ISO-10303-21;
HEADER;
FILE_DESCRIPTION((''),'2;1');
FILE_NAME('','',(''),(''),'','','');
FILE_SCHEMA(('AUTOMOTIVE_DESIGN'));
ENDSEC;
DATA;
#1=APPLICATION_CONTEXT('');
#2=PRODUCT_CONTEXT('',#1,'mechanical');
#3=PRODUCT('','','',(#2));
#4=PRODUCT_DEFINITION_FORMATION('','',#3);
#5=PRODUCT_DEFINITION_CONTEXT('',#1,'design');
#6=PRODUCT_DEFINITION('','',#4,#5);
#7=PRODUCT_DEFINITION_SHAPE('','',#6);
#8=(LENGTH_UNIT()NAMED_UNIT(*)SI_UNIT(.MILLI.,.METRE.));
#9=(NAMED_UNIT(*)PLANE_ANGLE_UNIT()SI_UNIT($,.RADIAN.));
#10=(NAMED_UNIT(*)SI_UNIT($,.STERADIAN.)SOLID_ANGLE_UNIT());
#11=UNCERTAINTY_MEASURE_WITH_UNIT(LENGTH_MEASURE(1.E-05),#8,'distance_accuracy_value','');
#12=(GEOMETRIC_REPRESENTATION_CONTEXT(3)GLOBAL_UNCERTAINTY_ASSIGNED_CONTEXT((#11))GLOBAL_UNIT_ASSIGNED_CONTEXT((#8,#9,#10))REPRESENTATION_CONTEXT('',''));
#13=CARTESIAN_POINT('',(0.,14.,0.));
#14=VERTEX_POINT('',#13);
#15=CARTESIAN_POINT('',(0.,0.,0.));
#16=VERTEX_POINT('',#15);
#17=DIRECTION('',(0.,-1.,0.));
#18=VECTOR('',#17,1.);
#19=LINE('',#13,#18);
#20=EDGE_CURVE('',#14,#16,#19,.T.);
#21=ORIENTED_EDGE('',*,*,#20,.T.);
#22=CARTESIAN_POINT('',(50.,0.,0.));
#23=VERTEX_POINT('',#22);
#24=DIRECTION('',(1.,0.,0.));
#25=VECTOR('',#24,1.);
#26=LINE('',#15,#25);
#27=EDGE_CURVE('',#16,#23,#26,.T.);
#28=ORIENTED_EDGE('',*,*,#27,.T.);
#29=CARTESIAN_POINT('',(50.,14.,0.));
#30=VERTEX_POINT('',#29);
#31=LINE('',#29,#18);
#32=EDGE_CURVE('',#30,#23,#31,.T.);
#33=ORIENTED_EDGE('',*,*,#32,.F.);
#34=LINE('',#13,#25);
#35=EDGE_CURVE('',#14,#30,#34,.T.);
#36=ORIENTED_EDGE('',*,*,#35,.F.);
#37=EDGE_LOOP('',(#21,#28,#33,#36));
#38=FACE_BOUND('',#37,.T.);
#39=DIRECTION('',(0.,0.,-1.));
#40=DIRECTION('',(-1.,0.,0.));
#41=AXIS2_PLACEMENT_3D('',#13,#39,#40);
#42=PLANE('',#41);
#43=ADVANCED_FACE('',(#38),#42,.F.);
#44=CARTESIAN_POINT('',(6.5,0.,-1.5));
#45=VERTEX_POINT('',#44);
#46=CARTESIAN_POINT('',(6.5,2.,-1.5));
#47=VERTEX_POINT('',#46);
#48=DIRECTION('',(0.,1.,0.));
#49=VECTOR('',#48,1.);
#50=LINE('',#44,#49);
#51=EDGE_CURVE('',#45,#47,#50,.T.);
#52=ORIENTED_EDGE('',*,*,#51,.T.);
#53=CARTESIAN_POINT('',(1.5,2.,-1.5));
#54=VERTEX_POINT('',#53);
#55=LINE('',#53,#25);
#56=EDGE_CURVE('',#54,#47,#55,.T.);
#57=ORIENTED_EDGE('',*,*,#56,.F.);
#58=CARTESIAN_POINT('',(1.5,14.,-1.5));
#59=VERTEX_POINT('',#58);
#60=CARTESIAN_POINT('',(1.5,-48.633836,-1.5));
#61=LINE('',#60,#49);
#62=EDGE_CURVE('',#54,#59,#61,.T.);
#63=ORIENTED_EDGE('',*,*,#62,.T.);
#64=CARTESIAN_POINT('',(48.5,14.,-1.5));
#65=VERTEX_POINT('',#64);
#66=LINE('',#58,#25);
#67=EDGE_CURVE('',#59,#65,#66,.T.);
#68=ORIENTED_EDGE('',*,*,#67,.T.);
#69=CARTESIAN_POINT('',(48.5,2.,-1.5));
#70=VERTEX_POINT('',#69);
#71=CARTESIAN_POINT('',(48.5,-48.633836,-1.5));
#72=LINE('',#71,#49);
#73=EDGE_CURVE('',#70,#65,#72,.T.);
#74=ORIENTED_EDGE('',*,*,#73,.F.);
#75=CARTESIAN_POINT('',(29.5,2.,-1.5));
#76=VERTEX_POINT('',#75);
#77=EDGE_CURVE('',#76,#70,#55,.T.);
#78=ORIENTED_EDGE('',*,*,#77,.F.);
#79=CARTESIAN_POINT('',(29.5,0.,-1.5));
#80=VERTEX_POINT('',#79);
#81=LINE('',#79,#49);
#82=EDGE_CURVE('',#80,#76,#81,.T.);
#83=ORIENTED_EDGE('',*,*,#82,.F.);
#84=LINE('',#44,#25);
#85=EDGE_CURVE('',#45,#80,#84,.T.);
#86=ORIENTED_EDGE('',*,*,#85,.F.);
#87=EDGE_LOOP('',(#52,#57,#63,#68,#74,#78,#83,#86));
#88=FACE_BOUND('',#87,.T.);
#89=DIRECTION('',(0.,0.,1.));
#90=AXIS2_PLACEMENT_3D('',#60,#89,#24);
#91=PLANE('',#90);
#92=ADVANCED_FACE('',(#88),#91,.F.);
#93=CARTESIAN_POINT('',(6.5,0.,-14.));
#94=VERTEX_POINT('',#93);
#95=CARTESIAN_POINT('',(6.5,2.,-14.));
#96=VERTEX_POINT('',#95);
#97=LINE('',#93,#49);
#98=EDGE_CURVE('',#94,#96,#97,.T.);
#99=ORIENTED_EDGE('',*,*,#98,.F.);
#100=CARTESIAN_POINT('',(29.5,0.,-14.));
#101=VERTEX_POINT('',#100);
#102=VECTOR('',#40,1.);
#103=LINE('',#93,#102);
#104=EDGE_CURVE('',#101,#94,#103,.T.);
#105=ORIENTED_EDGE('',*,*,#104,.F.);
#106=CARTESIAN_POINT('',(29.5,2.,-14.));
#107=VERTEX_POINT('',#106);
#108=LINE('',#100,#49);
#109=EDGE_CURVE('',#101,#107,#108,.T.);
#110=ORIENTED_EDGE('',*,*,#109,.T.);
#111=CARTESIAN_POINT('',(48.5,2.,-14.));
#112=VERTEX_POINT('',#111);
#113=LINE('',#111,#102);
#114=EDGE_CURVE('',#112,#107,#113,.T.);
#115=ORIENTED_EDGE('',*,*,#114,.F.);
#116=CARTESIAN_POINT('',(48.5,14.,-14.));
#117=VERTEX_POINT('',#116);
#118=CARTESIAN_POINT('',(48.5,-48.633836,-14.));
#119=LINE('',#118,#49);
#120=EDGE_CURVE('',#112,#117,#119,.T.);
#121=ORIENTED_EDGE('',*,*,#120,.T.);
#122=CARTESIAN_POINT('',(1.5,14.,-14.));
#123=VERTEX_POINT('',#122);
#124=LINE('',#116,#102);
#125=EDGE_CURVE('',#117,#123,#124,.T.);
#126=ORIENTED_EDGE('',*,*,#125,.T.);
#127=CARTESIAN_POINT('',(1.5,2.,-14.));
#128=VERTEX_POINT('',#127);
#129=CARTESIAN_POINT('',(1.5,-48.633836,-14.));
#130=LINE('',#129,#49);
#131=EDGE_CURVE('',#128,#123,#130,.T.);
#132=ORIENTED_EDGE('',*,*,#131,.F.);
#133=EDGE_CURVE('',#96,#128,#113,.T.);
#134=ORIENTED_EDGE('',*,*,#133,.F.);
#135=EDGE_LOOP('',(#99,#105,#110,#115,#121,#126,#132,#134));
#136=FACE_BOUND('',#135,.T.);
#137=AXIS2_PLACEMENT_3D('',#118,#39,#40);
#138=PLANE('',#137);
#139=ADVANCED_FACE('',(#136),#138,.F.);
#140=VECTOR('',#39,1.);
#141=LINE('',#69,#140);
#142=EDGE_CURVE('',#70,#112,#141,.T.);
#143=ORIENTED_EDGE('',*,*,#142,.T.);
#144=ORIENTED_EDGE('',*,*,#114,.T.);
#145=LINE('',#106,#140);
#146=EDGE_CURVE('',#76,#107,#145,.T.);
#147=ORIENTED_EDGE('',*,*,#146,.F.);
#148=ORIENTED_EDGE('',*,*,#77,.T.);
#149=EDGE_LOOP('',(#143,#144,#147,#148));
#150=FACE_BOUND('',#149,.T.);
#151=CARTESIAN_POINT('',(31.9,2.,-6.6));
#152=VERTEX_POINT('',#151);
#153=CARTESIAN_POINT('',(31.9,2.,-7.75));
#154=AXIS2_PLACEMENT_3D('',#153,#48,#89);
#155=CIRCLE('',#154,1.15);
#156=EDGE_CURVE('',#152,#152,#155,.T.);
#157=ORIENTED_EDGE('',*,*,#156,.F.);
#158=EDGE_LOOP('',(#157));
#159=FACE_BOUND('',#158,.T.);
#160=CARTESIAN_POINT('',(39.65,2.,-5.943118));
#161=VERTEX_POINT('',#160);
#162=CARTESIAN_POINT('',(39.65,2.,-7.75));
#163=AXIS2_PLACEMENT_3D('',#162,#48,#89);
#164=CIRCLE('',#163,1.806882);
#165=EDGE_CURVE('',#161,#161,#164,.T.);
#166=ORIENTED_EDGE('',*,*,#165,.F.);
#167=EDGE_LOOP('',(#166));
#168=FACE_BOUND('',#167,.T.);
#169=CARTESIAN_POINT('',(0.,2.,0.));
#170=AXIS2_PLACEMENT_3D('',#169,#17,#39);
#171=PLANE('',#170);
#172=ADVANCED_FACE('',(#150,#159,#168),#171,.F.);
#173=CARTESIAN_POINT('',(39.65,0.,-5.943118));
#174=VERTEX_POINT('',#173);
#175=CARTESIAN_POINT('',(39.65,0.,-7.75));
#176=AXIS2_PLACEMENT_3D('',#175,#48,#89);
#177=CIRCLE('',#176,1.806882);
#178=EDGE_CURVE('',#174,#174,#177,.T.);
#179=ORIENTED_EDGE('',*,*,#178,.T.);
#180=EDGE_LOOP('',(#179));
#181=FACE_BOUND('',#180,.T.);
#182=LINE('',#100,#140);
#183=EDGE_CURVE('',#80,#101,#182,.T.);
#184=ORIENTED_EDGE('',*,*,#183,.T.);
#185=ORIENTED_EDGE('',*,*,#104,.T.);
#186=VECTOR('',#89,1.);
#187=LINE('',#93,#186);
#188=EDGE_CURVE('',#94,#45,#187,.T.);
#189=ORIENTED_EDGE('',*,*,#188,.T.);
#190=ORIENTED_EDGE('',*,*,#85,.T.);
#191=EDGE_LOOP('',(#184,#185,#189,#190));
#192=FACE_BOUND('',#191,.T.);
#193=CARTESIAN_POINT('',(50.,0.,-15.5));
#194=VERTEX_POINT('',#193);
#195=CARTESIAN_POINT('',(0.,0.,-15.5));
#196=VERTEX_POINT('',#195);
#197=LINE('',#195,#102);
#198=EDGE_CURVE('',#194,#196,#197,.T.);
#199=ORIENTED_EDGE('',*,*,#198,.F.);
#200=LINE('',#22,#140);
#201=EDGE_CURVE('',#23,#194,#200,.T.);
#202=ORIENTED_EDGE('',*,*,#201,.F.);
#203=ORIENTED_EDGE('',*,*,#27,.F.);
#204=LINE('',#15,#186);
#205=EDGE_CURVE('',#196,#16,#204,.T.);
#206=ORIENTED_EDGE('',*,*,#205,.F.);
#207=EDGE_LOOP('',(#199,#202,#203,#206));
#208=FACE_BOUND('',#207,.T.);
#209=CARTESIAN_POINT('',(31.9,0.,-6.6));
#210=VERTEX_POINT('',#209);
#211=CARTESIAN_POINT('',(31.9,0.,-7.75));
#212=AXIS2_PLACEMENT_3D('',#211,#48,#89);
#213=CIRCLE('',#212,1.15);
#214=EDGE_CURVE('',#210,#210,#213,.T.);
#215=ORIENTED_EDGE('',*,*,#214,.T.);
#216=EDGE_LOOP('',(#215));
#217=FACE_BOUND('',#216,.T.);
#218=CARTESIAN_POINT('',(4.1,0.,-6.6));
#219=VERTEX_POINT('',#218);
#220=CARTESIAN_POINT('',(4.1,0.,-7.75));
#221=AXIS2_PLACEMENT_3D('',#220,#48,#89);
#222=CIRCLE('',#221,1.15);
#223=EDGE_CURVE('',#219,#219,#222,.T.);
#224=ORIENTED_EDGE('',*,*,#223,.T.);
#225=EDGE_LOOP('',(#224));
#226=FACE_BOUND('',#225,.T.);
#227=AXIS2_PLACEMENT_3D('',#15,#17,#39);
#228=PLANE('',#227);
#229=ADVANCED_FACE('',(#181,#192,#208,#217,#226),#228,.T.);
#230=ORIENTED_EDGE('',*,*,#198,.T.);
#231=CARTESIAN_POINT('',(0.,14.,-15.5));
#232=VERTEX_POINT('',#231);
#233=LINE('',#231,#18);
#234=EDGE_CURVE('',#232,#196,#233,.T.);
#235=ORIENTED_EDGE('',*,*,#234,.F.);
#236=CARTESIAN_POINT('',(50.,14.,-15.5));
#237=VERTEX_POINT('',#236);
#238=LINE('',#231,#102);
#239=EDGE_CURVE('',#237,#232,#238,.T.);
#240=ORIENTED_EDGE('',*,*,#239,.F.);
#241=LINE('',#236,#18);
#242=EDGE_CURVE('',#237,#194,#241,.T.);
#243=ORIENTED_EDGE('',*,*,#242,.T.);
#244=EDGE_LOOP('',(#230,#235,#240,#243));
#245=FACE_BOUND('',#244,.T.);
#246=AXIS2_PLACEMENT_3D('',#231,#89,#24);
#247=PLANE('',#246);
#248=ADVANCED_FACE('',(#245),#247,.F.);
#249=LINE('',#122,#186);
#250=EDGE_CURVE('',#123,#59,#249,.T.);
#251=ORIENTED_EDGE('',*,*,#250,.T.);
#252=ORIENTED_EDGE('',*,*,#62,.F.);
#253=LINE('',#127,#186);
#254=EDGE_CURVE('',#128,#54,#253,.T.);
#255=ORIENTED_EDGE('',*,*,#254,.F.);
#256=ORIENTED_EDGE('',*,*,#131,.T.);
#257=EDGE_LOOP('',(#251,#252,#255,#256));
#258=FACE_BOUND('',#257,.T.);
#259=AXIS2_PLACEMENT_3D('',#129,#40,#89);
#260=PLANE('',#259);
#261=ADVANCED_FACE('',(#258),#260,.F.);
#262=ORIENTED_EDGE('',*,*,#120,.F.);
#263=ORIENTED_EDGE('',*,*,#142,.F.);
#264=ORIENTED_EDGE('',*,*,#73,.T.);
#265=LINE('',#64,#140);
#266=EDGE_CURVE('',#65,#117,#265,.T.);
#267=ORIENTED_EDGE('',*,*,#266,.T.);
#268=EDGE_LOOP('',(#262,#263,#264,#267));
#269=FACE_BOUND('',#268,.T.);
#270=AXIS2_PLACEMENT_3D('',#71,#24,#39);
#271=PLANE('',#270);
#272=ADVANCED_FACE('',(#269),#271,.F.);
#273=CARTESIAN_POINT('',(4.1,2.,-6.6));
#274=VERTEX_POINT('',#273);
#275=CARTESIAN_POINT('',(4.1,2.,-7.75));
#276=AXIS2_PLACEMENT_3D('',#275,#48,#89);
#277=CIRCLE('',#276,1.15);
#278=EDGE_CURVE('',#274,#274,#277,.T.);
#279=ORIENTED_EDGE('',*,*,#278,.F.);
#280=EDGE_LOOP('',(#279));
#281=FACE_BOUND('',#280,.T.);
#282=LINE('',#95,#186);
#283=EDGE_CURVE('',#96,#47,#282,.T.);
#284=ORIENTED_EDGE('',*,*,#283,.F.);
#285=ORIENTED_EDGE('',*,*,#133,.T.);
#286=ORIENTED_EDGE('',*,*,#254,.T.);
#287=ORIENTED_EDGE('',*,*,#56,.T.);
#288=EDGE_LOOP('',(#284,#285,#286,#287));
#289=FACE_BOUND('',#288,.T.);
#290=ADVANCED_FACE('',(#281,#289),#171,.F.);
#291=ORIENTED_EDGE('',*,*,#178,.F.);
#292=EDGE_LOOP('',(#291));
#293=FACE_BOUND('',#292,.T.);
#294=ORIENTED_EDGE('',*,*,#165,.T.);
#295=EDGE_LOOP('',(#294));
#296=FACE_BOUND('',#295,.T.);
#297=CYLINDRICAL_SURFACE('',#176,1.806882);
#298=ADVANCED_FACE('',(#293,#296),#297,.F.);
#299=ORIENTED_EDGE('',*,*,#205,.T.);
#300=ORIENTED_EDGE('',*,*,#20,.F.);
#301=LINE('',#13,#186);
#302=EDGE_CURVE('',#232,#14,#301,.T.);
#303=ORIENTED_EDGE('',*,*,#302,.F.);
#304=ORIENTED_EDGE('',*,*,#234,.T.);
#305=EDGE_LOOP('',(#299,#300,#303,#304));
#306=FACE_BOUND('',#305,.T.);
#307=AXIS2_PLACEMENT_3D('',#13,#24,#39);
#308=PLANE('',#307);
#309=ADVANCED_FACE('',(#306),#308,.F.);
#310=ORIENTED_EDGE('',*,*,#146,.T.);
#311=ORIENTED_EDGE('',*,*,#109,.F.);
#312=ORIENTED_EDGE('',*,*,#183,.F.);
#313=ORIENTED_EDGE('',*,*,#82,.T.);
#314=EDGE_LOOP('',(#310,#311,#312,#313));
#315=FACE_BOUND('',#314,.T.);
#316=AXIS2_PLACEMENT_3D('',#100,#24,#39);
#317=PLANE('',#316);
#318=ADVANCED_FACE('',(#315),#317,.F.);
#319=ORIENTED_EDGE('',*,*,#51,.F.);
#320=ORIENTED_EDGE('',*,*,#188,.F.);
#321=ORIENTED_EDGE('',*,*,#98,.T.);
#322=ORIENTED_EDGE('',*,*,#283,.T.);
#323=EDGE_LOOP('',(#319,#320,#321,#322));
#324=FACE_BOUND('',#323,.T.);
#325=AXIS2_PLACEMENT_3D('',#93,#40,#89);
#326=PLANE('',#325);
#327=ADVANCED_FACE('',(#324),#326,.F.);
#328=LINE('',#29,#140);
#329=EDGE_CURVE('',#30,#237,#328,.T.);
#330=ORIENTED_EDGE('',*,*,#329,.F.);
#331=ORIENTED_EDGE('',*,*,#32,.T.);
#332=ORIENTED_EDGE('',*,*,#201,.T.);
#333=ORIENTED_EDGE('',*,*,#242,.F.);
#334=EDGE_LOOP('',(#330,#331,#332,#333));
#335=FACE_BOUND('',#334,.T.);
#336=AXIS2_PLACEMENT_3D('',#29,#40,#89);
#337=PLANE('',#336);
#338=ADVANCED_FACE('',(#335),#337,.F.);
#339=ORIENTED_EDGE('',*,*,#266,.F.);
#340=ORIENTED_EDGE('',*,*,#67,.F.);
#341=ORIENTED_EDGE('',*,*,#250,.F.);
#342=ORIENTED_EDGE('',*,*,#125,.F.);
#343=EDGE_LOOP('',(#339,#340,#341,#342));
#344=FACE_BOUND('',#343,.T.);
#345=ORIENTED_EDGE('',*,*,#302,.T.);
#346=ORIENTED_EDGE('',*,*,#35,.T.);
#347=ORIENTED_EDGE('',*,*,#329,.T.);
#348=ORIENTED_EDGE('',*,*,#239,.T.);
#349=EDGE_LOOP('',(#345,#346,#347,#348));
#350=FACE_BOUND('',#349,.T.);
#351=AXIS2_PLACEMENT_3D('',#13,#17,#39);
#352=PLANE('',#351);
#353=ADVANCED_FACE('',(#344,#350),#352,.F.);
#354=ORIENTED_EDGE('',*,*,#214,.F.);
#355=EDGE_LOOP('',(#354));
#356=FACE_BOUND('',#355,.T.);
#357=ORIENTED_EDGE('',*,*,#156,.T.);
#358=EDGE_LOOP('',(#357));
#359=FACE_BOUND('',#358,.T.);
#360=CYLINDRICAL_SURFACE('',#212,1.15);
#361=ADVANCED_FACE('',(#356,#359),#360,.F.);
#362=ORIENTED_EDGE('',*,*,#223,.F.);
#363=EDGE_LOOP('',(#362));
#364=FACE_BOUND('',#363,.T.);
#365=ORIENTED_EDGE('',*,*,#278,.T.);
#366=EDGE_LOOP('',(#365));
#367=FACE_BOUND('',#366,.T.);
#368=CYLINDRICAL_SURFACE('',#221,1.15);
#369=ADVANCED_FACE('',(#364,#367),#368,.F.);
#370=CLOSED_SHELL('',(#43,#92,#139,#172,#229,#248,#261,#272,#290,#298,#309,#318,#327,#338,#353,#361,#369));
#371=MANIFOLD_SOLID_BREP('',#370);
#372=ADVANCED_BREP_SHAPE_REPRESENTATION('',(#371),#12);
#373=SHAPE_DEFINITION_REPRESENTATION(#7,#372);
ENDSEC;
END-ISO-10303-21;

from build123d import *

# Parameters (mm, degrees)
SKETCH_1_W          = 50
SKETCH_1_H          = 15.5
EXTRUDE_1_DEPTH     = 14
SKETCH_2_W          = 47
SKETCH_2_H          = 12.5
CUT_EXTRUDE_1_DEPTH = 12
SKETCH_4_R          = 1.15
SKETCH_4_R_2        = 1.806882298
SKETCH_4_W          = 23
SKETCH_4_H          = 12.5
CUT_EXTRUDE_2_DEPTH = 2


with BuildPart() as part:
    # 草图1 → 凸台-拉伸1 (new body)
    with BuildSketch(Plane(origin=(0, 0, 0), x_dir=(1, 0, 0), z_dir=(0, 1, 0))):
        with Locations((25, 7.75)):
            Rectangle(SKETCH_1_W, SKETCH_1_H)
    extrude(amount=EXTRUDE_1_DEPTH)

    # 草图2 → 切除-拉伸1 (cut)
    with BuildSketch(Plane(origin=(0, 14, 0), x_dir=(1, 0, 0), z_dir=(0, 1, 0))):
        with Locations((25, 7.75)):
            Rectangle(SKETCH_2_W, SKETCH_2_H)
    extrude(amount=-CUT_EXTRUDE_1_DEPTH, mode=Mode.SUBTRACT)

    # 草图4 → 切除-拉伸2 (cut)
    with BuildSketch(Plane(origin=(0, 2, 0), x_dir=(1, 0, 0), z_dir=(0, 1, 0))):
        with Locations(Location((4.1, 7.75, 0), (0, 0, 270))):
            Circle(SKETCH_4_R)
        with Locations(Location((31.9, 7.75, 0), (0, 0, 270))):
            Circle(SKETCH_4_R)
        with Locations(Location((39.65, 7.75, 0), (0, 0, 270))):
            Circle(SKETCH_4_R_2)
        with Locations((18, 7.75)):
            Rectangle(SKETCH_4_W, SKETCH_4_H)
    extrude(amount=-CUT_EXTRUDE_2_DEPTH, mode=Mode.SUBTRACT)


solid = part.part
